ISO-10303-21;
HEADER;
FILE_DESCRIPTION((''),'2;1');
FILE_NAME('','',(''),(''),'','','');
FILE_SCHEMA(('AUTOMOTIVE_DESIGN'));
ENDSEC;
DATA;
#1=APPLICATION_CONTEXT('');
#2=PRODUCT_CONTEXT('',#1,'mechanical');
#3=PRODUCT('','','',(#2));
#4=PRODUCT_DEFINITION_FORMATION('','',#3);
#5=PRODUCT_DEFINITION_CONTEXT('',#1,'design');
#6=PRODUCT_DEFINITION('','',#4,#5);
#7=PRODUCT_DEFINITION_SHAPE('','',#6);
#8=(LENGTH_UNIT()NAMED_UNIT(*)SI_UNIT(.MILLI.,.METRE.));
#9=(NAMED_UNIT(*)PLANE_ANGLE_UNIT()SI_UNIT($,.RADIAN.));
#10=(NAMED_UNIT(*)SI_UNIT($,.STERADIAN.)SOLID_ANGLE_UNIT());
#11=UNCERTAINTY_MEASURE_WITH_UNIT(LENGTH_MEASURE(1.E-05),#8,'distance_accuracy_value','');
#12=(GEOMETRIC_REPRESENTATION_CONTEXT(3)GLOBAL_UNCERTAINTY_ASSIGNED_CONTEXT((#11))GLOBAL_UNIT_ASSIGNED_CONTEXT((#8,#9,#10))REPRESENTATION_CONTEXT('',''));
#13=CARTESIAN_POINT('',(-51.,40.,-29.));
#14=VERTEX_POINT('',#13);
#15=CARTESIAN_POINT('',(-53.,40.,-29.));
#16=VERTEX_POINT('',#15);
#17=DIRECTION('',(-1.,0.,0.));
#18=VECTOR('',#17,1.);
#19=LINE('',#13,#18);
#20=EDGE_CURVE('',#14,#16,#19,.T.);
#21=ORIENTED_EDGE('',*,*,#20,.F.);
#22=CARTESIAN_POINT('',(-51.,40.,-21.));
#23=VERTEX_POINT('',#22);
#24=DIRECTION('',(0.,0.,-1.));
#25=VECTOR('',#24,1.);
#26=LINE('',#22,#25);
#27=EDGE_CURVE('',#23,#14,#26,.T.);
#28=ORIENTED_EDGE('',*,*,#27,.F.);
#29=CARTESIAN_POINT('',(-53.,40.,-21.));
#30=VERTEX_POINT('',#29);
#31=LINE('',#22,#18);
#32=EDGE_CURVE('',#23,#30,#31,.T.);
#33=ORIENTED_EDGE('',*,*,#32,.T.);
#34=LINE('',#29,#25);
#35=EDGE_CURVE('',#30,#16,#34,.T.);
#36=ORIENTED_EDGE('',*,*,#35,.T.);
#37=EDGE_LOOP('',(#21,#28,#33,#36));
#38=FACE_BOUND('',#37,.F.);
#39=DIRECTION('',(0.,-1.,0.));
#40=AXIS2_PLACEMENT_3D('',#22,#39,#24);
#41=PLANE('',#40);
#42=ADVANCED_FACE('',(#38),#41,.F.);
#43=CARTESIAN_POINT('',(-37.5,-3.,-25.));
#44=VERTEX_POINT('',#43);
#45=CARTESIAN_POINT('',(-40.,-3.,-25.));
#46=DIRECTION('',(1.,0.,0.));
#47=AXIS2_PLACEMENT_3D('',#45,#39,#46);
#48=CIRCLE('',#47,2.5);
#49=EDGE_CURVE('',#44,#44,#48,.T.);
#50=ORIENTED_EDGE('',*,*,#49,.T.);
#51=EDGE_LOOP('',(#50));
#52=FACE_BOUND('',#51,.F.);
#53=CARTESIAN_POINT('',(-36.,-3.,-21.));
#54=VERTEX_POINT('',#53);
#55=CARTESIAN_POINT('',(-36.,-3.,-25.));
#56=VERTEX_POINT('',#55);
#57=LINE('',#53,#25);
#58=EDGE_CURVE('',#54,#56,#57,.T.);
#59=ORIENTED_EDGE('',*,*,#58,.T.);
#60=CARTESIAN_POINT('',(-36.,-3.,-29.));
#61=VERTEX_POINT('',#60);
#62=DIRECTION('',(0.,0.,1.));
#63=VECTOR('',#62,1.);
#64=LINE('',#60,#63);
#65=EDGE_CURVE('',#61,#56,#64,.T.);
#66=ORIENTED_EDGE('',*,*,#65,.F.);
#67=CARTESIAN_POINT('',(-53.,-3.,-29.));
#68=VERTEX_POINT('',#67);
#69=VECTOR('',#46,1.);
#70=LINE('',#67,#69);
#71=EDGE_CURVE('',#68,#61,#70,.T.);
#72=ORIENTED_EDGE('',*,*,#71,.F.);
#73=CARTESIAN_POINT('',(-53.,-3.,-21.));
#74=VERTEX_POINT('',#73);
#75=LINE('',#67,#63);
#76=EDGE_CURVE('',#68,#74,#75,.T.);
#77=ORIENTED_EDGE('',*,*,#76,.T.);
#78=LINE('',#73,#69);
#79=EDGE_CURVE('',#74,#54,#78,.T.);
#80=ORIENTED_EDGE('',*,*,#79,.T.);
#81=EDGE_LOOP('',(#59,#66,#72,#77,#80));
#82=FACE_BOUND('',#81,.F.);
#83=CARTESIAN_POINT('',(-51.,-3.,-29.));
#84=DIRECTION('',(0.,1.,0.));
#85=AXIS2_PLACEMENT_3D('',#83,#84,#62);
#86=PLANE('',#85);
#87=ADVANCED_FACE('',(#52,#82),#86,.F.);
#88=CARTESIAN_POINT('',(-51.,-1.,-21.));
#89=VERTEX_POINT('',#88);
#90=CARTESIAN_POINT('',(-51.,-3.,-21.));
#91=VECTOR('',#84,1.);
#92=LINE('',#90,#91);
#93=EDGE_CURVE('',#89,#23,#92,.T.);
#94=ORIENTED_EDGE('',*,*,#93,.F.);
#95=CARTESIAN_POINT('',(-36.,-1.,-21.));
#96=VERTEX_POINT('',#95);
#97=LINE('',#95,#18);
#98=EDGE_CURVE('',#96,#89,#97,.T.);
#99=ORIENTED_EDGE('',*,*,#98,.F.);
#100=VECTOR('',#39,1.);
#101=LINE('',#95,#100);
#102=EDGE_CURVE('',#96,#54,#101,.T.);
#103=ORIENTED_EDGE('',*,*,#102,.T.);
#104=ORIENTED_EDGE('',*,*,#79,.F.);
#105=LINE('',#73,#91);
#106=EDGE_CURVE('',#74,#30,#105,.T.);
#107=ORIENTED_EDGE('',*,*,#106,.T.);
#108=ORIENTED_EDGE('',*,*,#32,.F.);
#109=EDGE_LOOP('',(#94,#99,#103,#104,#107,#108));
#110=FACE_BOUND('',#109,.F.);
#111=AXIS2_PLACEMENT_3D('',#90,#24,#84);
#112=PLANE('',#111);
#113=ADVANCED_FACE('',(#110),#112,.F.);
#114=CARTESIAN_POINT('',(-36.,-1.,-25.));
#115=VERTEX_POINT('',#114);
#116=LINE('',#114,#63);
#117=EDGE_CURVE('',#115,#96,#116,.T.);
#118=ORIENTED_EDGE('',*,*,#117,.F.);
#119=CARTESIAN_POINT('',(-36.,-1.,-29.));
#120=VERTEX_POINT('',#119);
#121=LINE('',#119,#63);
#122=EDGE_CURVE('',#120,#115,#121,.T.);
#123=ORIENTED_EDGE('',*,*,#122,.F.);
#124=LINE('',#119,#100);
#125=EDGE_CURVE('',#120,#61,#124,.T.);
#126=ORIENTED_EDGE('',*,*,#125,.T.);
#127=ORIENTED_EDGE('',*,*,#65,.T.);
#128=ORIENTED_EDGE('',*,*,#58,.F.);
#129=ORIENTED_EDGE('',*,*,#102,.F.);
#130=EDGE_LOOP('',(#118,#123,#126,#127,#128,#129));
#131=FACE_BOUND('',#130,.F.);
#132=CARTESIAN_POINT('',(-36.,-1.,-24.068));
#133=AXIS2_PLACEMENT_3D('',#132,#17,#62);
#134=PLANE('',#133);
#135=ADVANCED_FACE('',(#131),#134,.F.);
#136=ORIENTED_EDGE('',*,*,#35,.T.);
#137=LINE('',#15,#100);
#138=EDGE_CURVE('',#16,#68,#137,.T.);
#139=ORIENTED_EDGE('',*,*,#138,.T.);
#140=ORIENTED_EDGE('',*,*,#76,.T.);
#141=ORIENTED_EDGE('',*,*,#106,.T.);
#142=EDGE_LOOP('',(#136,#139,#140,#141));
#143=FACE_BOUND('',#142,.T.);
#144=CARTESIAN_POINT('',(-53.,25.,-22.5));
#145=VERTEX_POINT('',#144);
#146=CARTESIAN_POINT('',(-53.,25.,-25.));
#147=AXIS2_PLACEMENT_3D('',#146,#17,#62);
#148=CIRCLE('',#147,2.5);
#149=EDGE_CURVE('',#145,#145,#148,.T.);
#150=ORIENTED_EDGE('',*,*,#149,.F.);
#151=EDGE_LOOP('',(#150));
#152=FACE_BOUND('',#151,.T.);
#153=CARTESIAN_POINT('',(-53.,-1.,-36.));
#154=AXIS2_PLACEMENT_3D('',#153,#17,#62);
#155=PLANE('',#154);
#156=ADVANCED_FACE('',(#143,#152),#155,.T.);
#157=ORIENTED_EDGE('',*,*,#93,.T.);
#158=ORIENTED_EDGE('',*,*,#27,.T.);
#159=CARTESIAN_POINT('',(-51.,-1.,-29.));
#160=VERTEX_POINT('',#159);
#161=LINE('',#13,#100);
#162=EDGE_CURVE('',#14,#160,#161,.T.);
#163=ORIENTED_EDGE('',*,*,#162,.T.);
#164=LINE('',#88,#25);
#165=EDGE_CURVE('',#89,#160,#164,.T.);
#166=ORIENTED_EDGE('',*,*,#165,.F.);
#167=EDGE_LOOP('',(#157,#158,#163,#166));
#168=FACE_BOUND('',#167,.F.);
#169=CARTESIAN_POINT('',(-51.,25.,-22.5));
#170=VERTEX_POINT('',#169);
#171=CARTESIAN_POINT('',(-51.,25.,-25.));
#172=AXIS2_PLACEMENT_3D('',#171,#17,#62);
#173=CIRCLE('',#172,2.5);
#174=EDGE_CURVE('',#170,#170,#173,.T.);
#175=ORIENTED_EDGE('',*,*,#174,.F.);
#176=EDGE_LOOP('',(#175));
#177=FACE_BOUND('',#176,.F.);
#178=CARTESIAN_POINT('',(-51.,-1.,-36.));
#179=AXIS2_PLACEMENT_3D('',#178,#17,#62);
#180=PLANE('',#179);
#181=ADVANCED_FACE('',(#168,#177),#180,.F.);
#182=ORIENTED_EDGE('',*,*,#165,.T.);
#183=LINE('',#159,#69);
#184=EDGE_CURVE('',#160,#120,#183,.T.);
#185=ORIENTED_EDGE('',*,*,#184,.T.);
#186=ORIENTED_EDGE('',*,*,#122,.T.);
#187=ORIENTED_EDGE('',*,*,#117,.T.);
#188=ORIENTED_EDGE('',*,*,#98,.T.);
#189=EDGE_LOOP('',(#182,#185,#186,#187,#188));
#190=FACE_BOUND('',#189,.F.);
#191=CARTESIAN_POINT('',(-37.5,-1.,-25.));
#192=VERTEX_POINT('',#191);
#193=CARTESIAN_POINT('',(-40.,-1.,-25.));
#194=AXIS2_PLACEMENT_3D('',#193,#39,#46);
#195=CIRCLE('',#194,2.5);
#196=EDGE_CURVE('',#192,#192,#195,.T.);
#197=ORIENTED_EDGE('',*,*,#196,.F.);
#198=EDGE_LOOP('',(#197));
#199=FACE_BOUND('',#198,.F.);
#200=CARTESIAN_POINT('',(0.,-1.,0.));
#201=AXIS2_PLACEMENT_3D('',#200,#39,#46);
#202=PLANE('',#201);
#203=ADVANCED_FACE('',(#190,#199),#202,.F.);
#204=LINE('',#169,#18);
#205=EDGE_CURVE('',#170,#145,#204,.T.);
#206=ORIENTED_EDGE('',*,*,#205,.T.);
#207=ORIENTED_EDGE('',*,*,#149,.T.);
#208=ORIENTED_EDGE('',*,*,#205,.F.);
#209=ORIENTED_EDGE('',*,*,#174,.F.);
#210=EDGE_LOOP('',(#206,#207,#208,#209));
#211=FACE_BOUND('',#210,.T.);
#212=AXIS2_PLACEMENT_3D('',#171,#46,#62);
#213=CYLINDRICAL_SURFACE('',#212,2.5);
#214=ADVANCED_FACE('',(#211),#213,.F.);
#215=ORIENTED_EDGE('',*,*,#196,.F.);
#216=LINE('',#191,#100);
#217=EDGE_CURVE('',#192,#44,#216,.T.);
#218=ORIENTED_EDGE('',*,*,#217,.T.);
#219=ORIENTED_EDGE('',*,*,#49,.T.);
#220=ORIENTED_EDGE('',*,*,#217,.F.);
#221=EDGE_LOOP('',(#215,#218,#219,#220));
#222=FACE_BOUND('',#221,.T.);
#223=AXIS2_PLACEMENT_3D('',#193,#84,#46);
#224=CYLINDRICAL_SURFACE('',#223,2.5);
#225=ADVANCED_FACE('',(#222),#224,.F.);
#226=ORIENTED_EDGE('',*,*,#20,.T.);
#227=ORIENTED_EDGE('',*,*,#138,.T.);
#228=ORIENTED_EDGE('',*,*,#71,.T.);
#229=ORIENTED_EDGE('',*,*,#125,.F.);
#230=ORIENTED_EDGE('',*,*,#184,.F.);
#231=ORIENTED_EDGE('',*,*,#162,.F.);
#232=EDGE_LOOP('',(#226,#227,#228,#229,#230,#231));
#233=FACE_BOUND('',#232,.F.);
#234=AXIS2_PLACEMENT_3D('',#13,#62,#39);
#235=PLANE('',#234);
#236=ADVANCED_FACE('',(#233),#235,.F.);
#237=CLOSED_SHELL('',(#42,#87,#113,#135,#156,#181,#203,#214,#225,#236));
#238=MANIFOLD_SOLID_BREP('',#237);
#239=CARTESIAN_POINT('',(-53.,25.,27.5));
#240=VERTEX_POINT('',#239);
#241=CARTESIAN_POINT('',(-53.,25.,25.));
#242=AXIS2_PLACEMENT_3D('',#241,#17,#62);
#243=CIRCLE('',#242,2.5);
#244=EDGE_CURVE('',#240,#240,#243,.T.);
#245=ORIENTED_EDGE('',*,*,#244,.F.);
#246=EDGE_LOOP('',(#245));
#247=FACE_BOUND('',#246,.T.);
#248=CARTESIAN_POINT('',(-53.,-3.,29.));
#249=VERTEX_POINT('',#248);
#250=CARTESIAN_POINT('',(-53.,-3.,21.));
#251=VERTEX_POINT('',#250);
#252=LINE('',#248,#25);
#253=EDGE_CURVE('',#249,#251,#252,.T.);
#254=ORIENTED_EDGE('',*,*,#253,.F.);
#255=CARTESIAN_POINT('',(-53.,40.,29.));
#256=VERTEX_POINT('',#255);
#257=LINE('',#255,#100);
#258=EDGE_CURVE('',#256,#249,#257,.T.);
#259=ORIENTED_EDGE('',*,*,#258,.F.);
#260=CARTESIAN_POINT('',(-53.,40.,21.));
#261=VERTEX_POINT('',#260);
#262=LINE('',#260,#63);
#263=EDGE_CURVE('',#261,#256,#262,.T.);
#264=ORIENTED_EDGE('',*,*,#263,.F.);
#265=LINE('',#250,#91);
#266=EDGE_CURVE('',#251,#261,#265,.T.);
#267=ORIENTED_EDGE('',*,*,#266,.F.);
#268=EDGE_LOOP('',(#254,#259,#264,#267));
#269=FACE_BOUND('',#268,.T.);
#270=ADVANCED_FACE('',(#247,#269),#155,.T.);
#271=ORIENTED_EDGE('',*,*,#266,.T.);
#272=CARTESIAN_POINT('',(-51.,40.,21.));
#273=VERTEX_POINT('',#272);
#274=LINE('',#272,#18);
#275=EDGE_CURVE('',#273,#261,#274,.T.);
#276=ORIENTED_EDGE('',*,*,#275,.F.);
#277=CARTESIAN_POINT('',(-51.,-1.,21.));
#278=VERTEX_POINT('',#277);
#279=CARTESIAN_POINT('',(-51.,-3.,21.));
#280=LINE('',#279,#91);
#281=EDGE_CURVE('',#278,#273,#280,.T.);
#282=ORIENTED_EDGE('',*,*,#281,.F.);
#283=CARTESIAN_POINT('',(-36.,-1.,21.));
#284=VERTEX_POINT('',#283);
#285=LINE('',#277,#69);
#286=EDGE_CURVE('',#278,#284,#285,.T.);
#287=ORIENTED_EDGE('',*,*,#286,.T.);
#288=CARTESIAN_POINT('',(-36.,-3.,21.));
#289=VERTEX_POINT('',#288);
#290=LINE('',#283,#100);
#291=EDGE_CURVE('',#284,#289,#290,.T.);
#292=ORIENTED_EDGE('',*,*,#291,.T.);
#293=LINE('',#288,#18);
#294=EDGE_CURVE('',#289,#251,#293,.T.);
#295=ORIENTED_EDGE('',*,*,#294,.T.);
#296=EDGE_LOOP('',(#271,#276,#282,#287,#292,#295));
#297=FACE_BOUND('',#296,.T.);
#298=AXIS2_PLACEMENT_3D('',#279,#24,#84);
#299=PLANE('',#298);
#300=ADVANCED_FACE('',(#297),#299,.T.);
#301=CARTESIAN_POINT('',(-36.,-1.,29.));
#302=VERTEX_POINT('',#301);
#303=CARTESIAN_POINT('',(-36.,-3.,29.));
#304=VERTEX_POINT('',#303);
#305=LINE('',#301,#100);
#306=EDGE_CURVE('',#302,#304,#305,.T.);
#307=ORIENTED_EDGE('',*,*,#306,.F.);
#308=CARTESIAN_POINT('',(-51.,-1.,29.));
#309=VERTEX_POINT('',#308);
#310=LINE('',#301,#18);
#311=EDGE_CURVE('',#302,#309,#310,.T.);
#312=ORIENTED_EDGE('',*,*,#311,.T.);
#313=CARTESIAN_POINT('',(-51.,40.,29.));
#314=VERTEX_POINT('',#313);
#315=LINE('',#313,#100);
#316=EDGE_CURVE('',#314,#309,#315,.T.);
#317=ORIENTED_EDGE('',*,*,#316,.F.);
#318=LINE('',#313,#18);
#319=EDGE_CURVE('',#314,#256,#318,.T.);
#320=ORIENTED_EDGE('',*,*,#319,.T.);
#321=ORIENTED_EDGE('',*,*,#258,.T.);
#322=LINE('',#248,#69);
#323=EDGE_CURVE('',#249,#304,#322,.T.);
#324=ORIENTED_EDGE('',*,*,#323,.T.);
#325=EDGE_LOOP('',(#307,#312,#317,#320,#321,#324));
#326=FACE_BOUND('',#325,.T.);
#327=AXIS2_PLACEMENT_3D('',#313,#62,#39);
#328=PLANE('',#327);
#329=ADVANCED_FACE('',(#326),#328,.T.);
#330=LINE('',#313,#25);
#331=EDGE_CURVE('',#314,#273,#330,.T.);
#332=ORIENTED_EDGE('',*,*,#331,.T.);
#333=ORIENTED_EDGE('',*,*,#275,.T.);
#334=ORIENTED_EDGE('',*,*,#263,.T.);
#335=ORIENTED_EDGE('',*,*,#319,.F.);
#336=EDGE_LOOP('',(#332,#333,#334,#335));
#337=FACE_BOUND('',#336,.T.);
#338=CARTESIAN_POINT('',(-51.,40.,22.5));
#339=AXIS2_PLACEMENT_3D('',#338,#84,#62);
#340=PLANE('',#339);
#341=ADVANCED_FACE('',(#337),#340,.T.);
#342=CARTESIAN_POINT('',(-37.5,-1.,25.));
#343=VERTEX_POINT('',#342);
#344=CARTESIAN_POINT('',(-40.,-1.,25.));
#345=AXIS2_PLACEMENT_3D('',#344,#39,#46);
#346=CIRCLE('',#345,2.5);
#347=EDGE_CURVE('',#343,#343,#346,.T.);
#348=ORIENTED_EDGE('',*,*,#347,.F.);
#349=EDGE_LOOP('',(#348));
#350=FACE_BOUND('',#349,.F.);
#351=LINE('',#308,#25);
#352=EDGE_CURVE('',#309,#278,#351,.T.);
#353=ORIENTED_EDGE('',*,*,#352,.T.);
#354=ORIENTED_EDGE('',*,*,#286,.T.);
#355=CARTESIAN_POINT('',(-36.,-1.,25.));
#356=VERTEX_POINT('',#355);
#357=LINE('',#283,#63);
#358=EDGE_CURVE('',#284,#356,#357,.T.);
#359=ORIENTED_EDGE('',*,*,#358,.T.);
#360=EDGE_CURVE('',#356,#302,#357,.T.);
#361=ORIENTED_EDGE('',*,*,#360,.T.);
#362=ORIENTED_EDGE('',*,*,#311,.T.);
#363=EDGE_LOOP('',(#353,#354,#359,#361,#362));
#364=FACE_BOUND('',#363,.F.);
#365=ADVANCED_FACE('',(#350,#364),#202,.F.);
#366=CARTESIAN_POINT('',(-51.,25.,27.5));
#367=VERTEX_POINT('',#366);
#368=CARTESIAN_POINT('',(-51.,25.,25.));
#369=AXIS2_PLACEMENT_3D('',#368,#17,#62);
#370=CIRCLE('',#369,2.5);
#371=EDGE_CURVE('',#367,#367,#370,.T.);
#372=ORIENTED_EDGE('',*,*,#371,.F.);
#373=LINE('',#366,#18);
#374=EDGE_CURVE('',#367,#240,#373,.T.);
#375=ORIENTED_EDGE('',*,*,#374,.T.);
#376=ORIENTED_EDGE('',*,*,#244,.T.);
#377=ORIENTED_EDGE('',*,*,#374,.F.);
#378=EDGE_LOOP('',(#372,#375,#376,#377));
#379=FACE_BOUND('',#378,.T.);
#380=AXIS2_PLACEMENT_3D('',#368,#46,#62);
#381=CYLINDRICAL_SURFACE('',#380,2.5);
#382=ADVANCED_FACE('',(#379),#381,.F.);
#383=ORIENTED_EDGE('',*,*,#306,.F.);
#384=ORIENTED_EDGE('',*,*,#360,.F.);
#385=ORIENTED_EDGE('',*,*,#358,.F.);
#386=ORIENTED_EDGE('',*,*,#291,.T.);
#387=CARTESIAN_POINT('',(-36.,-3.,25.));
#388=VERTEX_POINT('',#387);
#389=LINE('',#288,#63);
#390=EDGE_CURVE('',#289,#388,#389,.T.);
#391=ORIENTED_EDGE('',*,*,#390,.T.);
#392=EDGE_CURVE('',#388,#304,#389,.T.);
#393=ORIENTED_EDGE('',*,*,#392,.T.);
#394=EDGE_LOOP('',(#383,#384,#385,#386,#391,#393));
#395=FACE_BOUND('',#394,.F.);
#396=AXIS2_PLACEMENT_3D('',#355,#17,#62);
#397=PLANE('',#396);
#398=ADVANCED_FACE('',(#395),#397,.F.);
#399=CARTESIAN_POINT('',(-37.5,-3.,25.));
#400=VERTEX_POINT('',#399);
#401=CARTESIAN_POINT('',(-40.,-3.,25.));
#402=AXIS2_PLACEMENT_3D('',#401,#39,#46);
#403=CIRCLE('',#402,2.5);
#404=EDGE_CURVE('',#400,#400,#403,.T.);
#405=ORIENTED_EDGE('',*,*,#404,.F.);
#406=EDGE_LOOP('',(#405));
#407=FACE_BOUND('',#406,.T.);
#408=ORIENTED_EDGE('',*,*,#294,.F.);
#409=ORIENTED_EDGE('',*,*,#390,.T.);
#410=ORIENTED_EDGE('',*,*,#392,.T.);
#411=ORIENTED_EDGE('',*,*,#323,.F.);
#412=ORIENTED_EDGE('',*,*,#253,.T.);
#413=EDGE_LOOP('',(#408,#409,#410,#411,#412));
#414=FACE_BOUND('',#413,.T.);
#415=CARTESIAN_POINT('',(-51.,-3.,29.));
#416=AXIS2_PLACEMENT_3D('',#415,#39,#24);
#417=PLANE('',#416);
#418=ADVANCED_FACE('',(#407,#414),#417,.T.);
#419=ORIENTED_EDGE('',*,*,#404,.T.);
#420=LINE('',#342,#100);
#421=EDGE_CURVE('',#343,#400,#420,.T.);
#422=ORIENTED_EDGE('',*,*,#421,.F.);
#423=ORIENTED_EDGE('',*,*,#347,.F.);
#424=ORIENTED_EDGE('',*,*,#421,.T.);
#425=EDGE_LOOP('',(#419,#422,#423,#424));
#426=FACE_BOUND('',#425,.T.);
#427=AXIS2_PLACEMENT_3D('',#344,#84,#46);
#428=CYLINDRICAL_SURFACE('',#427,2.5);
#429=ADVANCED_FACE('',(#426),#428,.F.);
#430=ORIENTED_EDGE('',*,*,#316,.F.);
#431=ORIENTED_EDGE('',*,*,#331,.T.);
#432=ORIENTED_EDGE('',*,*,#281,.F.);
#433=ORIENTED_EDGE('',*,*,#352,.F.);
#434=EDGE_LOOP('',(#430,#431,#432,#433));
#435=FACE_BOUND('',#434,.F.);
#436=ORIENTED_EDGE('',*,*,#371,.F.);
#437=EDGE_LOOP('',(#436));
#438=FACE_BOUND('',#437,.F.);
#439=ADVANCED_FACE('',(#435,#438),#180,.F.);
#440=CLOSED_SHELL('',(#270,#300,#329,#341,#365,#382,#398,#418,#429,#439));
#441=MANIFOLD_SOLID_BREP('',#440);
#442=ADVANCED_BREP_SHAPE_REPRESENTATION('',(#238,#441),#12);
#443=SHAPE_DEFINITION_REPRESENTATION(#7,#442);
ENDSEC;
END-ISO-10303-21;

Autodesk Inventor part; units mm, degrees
ref_plane "YZ Plane" through (0, 0, 0) normal (1, 0, 0) x (0, 1, 0)
ref_plane "Plano de trabalho3" through (-51, -1, -36) normal (-1, 0, 0) x (0, 0, 1)
sketch "Esboço7" plane through (-51, -1, -36) normal (-1, 0, 0) x (0, 0, 1)
  circle A0 centre (61, 26) radius 2.5 projected
  line L0 (58.5, 41) -> (57, 41)
  line L1 (57, 41) -> (65, 41)
  line L2 (65, 41) -> (65, -2)
  line L3 (65, -2) -> (57, -2)
  line L4 (57, -2) -> (57, 41)
  line L5 (36, 36) -> (36, -3.986)
  circle A1 centre (11, 26) radius 2.5
  line L6 (15, 41) -> (7, 41)
  line L7 (7, 41) -> (7, -2)
  line L8 (7, -2) -> (15, -2)
  line L9 (15, -2) -> (15, 41)
  circle A2 centre (61, 26) radius 2.5
  point P0 (36, 1)
  dimension "d84" = 1.5
  dimension "d85" = 8
  dimension "d86" = 43
  dimension "d114" = 42
  dimension "d118" = 50
extrude "Extrusão7" add sketch "Esboço7" along normal blind 2
ref_plane "Plano de trabalho6" through (0, -1, 0) normal (0, -1, 0) x (1, 0, 0)
sketch "Esboço8" plane through (0, -1, 0) normal (0, -1, 0) x (1, 0, 0)
  line L0 (-51, -29) -> (-36, -29)
  line L1 (-36, -29) -> (-36, -21)
  line L2 (-36, -21) -> (-51, -21)
  line L3 (-51, -21) -> (-51, -29)
  circle A0 centre (-40, 25) radius 2.5
  circle A1 centre (-40, -25) radius 2.5
  line L4 (-36, -25) -> (-40, -25)
  line L5 (-51, -21) -> (-51, -29) projected
  line L6 (-36, -21) -> (-51, -21)
  line L7 (-51, -21) -> (-51, -29)
  line L8 (-36, -24.068) -> (-36, -21)
  line L9 (-36, -21) -> (-51, -21)
  line L10 (-51, -21) -> (-51, -29)
  line L11 (-51, -29) -> (-36, -29)
  line L12 (-36, -29) -> (-36, -21)
  line L13 (-51, 21) -> (-53, 21) projected
  line L14 (-51, 21) -> (-26, 21)
  line L15 (-26, 21) -> (-26, 29)
  line L16 (-36.8, 29) -> (-61.8, 29)
  line L17 (-51, 29) -> (-51, 21)
  line L18 (-36, 21) -> (-36, 29)
  line L19 (-36, 25) -> (-40, 25)
  line L20 (-36, 29) -> (-51, 29)
  line L21 (-51, 29) -> (-51, 21)
  line L22 (-51, 21) -> (-36, 21)
  line L23 (-36, 21) -> (-36, 29)
  point P0 (0, 0)
  dimension "d90" = 15
  dimension "d116" = 4
  dimension "d119" = 8
  dimension "d120" = 4
extrude "Extrusão8" add sketch "Esboço8" along normal blind 2
properties part number "Fixação Caixa de Segurança"
